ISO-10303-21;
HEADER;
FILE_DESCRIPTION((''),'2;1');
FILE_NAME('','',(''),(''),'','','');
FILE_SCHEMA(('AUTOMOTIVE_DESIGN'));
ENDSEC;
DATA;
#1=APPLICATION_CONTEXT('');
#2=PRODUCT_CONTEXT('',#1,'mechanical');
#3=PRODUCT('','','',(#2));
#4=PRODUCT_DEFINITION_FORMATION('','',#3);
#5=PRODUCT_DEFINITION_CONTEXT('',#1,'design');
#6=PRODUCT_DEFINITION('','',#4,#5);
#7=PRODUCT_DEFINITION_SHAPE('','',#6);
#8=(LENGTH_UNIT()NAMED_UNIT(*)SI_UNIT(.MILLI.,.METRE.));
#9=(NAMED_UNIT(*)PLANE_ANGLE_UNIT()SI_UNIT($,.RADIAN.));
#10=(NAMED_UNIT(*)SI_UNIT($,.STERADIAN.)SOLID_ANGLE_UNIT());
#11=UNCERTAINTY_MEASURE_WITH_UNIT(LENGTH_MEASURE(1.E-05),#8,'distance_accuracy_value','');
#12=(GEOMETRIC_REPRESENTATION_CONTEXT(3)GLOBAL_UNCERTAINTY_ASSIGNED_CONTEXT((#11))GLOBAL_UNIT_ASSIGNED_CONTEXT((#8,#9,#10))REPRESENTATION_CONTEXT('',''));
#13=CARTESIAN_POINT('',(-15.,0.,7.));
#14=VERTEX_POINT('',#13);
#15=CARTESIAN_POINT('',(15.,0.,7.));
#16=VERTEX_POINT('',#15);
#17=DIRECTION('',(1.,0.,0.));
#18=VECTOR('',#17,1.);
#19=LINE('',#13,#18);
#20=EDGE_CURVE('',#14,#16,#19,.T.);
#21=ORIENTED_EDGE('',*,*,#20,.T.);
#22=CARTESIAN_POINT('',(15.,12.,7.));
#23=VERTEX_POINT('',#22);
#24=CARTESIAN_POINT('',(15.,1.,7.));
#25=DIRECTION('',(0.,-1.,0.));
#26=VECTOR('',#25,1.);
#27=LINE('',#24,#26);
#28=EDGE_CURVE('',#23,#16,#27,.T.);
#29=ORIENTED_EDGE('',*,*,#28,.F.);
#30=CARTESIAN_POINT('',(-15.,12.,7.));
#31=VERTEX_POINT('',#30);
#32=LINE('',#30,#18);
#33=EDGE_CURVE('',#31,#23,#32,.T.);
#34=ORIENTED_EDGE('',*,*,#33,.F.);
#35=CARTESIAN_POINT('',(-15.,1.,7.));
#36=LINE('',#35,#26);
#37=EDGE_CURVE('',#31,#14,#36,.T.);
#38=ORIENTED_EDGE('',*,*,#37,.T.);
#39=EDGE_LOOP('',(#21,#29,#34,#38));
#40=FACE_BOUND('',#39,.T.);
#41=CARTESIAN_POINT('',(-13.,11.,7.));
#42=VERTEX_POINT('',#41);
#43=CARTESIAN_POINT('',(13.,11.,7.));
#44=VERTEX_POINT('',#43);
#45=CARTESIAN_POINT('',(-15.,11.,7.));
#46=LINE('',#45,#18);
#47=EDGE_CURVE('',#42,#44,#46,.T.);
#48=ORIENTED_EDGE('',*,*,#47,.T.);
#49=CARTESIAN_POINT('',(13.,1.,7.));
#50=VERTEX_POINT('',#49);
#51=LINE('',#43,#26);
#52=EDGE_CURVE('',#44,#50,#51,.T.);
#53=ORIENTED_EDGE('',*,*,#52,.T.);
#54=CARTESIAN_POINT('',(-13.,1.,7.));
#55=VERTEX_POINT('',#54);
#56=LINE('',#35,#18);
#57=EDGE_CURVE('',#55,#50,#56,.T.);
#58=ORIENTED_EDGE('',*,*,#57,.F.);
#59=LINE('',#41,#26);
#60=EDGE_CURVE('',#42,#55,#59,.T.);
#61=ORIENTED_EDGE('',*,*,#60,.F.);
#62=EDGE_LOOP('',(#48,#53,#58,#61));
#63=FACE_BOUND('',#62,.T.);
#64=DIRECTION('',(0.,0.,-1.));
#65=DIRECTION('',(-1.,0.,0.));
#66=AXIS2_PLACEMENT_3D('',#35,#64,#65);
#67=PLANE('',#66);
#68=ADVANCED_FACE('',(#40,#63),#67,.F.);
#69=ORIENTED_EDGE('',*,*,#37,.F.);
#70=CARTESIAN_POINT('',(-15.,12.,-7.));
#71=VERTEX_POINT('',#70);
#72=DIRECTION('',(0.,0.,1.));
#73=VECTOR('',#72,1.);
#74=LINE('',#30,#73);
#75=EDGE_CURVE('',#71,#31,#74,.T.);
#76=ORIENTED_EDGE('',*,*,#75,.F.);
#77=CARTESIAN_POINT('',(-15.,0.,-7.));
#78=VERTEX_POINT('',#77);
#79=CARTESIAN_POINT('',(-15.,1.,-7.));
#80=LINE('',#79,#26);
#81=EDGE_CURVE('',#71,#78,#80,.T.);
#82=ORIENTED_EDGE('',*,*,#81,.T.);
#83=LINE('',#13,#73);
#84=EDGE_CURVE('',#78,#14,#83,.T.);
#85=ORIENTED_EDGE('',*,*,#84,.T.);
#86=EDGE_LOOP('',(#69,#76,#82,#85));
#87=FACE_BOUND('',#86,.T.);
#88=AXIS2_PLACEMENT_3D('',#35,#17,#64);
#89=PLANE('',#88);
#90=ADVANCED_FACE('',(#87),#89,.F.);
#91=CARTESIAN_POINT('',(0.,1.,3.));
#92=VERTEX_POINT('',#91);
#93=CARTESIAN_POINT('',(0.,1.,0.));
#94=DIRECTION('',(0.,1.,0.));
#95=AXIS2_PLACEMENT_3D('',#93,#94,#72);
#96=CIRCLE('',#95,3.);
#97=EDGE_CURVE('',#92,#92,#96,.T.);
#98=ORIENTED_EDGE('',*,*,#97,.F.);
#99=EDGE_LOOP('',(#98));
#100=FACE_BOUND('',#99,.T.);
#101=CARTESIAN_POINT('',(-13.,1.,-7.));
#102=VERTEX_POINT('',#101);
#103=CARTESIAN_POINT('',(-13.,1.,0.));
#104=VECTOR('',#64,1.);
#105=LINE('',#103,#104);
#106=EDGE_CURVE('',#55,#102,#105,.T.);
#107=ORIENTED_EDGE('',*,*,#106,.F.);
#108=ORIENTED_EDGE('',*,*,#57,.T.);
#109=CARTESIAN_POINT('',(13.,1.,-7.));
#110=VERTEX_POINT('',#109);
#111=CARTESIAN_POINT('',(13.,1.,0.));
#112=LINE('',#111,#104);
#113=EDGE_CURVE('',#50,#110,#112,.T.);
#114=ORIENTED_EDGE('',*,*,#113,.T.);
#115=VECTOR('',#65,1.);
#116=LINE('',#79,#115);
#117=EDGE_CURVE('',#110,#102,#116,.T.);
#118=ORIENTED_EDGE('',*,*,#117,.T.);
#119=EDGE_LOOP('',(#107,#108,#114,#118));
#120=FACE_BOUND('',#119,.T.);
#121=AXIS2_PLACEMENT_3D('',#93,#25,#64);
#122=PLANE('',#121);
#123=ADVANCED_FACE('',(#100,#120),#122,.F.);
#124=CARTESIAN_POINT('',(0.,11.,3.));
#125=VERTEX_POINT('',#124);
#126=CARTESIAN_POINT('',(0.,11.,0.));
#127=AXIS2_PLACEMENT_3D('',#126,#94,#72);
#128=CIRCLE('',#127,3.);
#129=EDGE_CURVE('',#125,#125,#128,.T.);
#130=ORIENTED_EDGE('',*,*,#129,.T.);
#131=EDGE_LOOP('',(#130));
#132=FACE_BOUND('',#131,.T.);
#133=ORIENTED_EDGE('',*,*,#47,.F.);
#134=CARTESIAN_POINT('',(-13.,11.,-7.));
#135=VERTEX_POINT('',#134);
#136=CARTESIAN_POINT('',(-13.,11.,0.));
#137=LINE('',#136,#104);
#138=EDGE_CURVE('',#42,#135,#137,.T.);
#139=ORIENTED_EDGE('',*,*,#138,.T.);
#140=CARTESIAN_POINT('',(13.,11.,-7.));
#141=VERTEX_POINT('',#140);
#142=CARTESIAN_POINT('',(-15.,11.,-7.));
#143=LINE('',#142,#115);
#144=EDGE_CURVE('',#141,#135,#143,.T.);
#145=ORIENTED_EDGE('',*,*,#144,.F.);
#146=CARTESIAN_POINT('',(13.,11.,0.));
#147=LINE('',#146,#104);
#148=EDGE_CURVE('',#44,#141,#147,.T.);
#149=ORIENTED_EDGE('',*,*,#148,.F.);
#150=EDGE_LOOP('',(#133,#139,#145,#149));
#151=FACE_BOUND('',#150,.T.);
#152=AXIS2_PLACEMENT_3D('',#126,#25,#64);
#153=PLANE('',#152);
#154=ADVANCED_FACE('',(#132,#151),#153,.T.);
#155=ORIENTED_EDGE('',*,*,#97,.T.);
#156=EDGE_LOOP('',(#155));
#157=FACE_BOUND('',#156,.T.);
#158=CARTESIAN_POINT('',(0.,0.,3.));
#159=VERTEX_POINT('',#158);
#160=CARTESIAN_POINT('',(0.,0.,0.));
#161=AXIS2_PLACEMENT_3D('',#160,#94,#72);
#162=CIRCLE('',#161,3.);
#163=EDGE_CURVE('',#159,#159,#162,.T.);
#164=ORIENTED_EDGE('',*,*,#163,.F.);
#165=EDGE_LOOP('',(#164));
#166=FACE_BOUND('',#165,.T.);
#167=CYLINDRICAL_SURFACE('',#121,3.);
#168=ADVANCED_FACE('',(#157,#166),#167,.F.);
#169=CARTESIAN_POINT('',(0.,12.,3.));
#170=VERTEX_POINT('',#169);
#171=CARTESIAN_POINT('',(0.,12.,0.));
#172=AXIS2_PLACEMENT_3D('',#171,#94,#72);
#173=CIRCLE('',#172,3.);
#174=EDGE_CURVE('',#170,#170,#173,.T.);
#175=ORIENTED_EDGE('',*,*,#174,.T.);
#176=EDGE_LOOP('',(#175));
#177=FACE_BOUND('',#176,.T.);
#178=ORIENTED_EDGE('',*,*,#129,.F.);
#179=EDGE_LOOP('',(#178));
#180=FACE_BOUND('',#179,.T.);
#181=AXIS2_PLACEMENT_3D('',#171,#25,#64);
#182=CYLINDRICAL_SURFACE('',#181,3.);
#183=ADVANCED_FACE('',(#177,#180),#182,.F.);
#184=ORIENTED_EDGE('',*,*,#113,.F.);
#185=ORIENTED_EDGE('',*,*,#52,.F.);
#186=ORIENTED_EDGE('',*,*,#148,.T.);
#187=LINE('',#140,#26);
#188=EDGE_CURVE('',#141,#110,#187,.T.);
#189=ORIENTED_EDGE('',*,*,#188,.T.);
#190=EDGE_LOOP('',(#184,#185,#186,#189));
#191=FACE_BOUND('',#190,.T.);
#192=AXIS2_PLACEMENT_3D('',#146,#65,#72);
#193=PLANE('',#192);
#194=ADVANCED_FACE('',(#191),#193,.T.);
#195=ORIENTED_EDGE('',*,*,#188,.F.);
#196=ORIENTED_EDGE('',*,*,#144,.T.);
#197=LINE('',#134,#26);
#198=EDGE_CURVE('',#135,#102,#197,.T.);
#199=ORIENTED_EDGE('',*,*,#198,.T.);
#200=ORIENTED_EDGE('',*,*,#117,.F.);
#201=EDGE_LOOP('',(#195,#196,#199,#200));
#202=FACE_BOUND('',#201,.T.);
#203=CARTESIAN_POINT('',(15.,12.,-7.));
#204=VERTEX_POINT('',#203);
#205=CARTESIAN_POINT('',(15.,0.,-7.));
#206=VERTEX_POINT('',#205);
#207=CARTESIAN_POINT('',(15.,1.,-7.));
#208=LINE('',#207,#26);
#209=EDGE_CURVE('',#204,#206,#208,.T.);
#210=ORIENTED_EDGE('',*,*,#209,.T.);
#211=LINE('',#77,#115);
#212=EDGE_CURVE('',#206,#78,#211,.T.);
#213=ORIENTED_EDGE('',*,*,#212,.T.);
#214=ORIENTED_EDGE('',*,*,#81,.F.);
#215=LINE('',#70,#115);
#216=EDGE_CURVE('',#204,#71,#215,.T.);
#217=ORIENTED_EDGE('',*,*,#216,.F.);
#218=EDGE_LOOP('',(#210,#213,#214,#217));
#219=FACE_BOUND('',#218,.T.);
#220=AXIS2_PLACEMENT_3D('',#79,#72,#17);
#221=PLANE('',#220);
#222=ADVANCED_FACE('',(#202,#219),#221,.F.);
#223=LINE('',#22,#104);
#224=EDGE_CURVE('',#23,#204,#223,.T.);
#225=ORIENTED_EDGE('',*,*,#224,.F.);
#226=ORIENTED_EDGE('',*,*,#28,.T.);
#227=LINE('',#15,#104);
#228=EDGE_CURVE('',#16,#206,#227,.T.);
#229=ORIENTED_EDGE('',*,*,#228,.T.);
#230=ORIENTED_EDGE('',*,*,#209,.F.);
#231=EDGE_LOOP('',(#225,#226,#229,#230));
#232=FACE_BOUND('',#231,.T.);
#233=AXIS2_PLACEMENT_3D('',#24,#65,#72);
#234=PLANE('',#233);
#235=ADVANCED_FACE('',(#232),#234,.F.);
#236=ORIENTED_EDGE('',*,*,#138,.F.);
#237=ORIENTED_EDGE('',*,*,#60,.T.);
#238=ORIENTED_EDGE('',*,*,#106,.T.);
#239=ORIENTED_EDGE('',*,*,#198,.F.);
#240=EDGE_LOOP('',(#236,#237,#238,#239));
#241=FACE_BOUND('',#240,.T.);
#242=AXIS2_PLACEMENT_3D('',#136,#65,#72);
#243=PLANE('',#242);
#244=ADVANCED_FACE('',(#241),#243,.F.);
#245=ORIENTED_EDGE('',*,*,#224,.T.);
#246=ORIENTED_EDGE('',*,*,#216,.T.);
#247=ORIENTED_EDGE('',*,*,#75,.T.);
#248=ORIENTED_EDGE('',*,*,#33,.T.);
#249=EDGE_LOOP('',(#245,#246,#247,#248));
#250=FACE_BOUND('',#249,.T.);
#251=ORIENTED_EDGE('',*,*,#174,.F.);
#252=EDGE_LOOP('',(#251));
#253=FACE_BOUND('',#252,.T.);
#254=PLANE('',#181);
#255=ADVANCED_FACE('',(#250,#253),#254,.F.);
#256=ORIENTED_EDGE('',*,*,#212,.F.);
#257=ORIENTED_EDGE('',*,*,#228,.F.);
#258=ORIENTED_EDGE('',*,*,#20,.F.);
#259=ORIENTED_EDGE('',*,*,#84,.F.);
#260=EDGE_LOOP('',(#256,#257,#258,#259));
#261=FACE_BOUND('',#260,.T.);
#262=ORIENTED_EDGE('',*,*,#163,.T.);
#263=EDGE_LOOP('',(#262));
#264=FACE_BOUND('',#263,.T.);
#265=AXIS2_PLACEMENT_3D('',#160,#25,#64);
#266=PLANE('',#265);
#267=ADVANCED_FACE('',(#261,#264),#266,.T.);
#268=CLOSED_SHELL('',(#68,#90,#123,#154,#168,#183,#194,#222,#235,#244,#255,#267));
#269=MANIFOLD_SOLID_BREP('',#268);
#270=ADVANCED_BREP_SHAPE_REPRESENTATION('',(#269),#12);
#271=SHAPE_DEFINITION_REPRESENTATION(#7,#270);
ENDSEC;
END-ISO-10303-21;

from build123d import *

# Parameters (mm, degrees)
SKETCH_1_W      = 30
SKETCH_1_H      = 14
SKETCH_1_R      = 3
EXTRUDE_1_DEPTH = 1
SKETCH_2_W      = 2
SKETCH_2_H      = 14
EXTRUDE_2_DEPTH = 10
SKETCH_3_W      = 30
SKETCH_3_H      = 14
SKETCH_3_R      = 3
EXTRUDE_3_DEPTH = 1


with BuildPart() as part:
    # Эскиз1 → Бобышка-Вытянуть1 (new body)
    with BuildSketch(Plane(origin=(0, 0, 0), x_dir=(1, 0, 0), z_dir=(0, 1, 0))):
        Rectangle(SKETCH_1_W, SKETCH_1_H)
        with Locations(Location((0, 0, 0), (0, 0, 270))):
            Circle(SKETCH_1_R, mode=Mode.SUBTRACT)
    extrude(amount=EXTRUDE_1_DEPTH)

    # Эскиз2 → Бобышка-Вытянуть2 (add)
    with BuildSketch(Plane(origin=(0, 1, 0), x_dir=(1, 0, 0), z_dir=(0, 1, 0))):
        with Locations((-14, 0)):
            Rectangle(SKETCH_2_W, SKETCH_2_H)
        with Locations((14, 0)):
            Rectangle(SKETCH_2_W, SKETCH_2_H)
    extrude(amount=EXTRUDE_2_DEPTH)

    # Эскиз3 → Бобышка-Вытянуть3 (add)
    with BuildSketch(Plane(origin=(0, 11, 0), x_dir=(1, 0, 0), z_dir=(0, 1, 0))):
        Rectangle(SKETCH_3_W, SKETCH_3_H)
        with Locations(Location((0, 0, 0), (0, 0, 270))):
            Circle(SKETCH_3_R, mode=Mode.SUBTRACT)
    extrude(amount=EXTRUDE_3_DEPTH)


solid = part.part
